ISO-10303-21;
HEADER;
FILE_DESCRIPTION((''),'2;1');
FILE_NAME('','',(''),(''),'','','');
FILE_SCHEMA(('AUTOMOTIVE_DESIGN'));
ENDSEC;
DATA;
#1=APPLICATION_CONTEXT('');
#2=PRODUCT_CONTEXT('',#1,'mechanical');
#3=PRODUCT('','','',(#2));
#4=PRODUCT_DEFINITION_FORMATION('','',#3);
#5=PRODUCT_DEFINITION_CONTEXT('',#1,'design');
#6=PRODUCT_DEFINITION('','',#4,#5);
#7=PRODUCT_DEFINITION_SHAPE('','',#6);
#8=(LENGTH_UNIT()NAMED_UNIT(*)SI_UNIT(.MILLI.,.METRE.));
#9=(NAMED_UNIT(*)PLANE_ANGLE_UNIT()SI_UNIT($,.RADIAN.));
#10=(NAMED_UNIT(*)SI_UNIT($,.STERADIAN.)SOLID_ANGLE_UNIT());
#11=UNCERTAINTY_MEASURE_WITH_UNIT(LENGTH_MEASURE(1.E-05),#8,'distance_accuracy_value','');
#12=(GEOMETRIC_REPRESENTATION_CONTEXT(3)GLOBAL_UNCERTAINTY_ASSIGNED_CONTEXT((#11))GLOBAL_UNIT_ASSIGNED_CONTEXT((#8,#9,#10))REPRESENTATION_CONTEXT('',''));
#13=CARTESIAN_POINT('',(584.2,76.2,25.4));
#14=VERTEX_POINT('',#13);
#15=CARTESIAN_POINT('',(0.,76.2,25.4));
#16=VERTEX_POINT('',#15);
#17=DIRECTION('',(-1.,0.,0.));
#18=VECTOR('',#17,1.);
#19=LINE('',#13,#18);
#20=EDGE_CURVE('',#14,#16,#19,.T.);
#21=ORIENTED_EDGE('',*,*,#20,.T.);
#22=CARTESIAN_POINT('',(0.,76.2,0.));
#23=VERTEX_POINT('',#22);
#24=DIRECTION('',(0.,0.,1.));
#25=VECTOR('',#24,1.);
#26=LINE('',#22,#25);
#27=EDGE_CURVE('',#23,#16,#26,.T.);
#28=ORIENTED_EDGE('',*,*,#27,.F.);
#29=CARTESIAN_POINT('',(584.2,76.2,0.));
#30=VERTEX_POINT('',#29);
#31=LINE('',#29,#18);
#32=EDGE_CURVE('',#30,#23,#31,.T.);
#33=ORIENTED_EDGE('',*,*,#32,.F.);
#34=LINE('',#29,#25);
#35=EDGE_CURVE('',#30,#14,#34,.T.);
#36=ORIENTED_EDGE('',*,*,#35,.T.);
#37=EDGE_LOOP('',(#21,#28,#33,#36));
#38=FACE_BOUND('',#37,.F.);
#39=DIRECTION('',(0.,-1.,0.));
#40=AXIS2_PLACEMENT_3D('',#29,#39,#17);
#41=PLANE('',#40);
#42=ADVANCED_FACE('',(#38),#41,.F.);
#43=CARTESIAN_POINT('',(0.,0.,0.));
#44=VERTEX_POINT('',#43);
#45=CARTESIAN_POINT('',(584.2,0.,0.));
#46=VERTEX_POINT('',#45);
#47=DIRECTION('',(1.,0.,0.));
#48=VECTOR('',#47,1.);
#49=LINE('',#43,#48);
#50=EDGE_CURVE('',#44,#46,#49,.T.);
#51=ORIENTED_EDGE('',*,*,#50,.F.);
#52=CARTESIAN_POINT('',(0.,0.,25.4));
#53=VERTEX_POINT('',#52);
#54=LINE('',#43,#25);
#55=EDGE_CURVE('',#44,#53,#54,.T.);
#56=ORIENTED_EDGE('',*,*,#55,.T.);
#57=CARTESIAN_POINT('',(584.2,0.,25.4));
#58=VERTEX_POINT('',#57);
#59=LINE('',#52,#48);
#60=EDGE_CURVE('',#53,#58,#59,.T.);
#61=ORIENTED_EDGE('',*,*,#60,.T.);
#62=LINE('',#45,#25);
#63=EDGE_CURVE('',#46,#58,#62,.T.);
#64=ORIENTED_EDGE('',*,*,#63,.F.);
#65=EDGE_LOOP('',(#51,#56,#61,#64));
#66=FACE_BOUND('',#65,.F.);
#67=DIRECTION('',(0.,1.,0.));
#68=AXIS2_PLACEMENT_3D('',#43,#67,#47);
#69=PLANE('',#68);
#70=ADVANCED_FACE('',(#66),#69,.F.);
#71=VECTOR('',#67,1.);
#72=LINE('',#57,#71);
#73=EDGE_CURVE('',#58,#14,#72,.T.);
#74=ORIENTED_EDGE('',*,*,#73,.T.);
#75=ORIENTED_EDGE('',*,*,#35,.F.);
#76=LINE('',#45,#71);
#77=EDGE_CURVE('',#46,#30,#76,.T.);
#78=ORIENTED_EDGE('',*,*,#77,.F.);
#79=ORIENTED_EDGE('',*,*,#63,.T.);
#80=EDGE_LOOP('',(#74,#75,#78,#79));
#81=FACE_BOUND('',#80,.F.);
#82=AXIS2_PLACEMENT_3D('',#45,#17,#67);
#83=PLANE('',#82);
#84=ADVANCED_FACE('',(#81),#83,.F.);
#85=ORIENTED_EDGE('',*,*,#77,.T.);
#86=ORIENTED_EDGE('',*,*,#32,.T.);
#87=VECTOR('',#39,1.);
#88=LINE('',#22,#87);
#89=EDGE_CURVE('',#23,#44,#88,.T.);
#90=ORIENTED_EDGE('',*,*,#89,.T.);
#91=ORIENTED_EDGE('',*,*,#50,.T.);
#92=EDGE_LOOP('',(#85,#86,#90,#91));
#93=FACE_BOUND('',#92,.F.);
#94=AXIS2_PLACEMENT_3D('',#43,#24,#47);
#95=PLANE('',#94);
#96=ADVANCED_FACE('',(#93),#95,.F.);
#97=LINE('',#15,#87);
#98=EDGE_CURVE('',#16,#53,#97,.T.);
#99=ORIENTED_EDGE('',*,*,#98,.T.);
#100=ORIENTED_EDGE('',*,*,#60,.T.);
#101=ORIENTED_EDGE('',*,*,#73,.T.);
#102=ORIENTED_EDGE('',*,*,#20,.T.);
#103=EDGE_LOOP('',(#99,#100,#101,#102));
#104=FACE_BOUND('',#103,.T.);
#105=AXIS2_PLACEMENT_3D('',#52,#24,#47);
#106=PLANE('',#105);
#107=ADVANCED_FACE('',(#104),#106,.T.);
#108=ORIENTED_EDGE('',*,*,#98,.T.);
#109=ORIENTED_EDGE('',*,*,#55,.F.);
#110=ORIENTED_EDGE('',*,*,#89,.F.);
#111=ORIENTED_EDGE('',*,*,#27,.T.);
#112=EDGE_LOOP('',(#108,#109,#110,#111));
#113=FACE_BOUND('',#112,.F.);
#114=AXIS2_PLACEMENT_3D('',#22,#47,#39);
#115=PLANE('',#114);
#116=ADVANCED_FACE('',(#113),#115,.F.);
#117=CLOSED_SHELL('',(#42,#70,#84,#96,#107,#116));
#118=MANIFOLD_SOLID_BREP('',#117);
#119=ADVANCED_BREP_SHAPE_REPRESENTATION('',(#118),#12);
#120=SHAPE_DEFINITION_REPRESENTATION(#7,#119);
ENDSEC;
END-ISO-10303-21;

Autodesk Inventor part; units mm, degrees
ref_plane "YZ Plane" through (0, 0, 0) normal (1, 0, 0) x (0, 1, 0)
ref_plane "XZ Plane" through (0, 0, 0) normal (0, 1, 0) x (-1, 0, 0)
ref_plane "XY Plane" through (0, 0, 0) normal (0, 0, 1) x (1, 0, 0)
sketch "Sketch1" plane through (0, 0, 0) normal (0, 0, 1) x (1, 0, 0)
  line L0 (0, 0) -> (584.2, 0)
  line L1 (584.2, 0) -> (584.2, 76.2)
  line L2 (584.2, 76.2) -> (0, 76.2)
  line L3 (0, 76.2) -> (0, 0)
  dimension "d0" = 584.2
  dimension "d1" = 76.2
extrude "Extrusion1" add sketch "Sketch1" along normal blind 25.4
properties part number "length beams" material "Wood (Oak)"
